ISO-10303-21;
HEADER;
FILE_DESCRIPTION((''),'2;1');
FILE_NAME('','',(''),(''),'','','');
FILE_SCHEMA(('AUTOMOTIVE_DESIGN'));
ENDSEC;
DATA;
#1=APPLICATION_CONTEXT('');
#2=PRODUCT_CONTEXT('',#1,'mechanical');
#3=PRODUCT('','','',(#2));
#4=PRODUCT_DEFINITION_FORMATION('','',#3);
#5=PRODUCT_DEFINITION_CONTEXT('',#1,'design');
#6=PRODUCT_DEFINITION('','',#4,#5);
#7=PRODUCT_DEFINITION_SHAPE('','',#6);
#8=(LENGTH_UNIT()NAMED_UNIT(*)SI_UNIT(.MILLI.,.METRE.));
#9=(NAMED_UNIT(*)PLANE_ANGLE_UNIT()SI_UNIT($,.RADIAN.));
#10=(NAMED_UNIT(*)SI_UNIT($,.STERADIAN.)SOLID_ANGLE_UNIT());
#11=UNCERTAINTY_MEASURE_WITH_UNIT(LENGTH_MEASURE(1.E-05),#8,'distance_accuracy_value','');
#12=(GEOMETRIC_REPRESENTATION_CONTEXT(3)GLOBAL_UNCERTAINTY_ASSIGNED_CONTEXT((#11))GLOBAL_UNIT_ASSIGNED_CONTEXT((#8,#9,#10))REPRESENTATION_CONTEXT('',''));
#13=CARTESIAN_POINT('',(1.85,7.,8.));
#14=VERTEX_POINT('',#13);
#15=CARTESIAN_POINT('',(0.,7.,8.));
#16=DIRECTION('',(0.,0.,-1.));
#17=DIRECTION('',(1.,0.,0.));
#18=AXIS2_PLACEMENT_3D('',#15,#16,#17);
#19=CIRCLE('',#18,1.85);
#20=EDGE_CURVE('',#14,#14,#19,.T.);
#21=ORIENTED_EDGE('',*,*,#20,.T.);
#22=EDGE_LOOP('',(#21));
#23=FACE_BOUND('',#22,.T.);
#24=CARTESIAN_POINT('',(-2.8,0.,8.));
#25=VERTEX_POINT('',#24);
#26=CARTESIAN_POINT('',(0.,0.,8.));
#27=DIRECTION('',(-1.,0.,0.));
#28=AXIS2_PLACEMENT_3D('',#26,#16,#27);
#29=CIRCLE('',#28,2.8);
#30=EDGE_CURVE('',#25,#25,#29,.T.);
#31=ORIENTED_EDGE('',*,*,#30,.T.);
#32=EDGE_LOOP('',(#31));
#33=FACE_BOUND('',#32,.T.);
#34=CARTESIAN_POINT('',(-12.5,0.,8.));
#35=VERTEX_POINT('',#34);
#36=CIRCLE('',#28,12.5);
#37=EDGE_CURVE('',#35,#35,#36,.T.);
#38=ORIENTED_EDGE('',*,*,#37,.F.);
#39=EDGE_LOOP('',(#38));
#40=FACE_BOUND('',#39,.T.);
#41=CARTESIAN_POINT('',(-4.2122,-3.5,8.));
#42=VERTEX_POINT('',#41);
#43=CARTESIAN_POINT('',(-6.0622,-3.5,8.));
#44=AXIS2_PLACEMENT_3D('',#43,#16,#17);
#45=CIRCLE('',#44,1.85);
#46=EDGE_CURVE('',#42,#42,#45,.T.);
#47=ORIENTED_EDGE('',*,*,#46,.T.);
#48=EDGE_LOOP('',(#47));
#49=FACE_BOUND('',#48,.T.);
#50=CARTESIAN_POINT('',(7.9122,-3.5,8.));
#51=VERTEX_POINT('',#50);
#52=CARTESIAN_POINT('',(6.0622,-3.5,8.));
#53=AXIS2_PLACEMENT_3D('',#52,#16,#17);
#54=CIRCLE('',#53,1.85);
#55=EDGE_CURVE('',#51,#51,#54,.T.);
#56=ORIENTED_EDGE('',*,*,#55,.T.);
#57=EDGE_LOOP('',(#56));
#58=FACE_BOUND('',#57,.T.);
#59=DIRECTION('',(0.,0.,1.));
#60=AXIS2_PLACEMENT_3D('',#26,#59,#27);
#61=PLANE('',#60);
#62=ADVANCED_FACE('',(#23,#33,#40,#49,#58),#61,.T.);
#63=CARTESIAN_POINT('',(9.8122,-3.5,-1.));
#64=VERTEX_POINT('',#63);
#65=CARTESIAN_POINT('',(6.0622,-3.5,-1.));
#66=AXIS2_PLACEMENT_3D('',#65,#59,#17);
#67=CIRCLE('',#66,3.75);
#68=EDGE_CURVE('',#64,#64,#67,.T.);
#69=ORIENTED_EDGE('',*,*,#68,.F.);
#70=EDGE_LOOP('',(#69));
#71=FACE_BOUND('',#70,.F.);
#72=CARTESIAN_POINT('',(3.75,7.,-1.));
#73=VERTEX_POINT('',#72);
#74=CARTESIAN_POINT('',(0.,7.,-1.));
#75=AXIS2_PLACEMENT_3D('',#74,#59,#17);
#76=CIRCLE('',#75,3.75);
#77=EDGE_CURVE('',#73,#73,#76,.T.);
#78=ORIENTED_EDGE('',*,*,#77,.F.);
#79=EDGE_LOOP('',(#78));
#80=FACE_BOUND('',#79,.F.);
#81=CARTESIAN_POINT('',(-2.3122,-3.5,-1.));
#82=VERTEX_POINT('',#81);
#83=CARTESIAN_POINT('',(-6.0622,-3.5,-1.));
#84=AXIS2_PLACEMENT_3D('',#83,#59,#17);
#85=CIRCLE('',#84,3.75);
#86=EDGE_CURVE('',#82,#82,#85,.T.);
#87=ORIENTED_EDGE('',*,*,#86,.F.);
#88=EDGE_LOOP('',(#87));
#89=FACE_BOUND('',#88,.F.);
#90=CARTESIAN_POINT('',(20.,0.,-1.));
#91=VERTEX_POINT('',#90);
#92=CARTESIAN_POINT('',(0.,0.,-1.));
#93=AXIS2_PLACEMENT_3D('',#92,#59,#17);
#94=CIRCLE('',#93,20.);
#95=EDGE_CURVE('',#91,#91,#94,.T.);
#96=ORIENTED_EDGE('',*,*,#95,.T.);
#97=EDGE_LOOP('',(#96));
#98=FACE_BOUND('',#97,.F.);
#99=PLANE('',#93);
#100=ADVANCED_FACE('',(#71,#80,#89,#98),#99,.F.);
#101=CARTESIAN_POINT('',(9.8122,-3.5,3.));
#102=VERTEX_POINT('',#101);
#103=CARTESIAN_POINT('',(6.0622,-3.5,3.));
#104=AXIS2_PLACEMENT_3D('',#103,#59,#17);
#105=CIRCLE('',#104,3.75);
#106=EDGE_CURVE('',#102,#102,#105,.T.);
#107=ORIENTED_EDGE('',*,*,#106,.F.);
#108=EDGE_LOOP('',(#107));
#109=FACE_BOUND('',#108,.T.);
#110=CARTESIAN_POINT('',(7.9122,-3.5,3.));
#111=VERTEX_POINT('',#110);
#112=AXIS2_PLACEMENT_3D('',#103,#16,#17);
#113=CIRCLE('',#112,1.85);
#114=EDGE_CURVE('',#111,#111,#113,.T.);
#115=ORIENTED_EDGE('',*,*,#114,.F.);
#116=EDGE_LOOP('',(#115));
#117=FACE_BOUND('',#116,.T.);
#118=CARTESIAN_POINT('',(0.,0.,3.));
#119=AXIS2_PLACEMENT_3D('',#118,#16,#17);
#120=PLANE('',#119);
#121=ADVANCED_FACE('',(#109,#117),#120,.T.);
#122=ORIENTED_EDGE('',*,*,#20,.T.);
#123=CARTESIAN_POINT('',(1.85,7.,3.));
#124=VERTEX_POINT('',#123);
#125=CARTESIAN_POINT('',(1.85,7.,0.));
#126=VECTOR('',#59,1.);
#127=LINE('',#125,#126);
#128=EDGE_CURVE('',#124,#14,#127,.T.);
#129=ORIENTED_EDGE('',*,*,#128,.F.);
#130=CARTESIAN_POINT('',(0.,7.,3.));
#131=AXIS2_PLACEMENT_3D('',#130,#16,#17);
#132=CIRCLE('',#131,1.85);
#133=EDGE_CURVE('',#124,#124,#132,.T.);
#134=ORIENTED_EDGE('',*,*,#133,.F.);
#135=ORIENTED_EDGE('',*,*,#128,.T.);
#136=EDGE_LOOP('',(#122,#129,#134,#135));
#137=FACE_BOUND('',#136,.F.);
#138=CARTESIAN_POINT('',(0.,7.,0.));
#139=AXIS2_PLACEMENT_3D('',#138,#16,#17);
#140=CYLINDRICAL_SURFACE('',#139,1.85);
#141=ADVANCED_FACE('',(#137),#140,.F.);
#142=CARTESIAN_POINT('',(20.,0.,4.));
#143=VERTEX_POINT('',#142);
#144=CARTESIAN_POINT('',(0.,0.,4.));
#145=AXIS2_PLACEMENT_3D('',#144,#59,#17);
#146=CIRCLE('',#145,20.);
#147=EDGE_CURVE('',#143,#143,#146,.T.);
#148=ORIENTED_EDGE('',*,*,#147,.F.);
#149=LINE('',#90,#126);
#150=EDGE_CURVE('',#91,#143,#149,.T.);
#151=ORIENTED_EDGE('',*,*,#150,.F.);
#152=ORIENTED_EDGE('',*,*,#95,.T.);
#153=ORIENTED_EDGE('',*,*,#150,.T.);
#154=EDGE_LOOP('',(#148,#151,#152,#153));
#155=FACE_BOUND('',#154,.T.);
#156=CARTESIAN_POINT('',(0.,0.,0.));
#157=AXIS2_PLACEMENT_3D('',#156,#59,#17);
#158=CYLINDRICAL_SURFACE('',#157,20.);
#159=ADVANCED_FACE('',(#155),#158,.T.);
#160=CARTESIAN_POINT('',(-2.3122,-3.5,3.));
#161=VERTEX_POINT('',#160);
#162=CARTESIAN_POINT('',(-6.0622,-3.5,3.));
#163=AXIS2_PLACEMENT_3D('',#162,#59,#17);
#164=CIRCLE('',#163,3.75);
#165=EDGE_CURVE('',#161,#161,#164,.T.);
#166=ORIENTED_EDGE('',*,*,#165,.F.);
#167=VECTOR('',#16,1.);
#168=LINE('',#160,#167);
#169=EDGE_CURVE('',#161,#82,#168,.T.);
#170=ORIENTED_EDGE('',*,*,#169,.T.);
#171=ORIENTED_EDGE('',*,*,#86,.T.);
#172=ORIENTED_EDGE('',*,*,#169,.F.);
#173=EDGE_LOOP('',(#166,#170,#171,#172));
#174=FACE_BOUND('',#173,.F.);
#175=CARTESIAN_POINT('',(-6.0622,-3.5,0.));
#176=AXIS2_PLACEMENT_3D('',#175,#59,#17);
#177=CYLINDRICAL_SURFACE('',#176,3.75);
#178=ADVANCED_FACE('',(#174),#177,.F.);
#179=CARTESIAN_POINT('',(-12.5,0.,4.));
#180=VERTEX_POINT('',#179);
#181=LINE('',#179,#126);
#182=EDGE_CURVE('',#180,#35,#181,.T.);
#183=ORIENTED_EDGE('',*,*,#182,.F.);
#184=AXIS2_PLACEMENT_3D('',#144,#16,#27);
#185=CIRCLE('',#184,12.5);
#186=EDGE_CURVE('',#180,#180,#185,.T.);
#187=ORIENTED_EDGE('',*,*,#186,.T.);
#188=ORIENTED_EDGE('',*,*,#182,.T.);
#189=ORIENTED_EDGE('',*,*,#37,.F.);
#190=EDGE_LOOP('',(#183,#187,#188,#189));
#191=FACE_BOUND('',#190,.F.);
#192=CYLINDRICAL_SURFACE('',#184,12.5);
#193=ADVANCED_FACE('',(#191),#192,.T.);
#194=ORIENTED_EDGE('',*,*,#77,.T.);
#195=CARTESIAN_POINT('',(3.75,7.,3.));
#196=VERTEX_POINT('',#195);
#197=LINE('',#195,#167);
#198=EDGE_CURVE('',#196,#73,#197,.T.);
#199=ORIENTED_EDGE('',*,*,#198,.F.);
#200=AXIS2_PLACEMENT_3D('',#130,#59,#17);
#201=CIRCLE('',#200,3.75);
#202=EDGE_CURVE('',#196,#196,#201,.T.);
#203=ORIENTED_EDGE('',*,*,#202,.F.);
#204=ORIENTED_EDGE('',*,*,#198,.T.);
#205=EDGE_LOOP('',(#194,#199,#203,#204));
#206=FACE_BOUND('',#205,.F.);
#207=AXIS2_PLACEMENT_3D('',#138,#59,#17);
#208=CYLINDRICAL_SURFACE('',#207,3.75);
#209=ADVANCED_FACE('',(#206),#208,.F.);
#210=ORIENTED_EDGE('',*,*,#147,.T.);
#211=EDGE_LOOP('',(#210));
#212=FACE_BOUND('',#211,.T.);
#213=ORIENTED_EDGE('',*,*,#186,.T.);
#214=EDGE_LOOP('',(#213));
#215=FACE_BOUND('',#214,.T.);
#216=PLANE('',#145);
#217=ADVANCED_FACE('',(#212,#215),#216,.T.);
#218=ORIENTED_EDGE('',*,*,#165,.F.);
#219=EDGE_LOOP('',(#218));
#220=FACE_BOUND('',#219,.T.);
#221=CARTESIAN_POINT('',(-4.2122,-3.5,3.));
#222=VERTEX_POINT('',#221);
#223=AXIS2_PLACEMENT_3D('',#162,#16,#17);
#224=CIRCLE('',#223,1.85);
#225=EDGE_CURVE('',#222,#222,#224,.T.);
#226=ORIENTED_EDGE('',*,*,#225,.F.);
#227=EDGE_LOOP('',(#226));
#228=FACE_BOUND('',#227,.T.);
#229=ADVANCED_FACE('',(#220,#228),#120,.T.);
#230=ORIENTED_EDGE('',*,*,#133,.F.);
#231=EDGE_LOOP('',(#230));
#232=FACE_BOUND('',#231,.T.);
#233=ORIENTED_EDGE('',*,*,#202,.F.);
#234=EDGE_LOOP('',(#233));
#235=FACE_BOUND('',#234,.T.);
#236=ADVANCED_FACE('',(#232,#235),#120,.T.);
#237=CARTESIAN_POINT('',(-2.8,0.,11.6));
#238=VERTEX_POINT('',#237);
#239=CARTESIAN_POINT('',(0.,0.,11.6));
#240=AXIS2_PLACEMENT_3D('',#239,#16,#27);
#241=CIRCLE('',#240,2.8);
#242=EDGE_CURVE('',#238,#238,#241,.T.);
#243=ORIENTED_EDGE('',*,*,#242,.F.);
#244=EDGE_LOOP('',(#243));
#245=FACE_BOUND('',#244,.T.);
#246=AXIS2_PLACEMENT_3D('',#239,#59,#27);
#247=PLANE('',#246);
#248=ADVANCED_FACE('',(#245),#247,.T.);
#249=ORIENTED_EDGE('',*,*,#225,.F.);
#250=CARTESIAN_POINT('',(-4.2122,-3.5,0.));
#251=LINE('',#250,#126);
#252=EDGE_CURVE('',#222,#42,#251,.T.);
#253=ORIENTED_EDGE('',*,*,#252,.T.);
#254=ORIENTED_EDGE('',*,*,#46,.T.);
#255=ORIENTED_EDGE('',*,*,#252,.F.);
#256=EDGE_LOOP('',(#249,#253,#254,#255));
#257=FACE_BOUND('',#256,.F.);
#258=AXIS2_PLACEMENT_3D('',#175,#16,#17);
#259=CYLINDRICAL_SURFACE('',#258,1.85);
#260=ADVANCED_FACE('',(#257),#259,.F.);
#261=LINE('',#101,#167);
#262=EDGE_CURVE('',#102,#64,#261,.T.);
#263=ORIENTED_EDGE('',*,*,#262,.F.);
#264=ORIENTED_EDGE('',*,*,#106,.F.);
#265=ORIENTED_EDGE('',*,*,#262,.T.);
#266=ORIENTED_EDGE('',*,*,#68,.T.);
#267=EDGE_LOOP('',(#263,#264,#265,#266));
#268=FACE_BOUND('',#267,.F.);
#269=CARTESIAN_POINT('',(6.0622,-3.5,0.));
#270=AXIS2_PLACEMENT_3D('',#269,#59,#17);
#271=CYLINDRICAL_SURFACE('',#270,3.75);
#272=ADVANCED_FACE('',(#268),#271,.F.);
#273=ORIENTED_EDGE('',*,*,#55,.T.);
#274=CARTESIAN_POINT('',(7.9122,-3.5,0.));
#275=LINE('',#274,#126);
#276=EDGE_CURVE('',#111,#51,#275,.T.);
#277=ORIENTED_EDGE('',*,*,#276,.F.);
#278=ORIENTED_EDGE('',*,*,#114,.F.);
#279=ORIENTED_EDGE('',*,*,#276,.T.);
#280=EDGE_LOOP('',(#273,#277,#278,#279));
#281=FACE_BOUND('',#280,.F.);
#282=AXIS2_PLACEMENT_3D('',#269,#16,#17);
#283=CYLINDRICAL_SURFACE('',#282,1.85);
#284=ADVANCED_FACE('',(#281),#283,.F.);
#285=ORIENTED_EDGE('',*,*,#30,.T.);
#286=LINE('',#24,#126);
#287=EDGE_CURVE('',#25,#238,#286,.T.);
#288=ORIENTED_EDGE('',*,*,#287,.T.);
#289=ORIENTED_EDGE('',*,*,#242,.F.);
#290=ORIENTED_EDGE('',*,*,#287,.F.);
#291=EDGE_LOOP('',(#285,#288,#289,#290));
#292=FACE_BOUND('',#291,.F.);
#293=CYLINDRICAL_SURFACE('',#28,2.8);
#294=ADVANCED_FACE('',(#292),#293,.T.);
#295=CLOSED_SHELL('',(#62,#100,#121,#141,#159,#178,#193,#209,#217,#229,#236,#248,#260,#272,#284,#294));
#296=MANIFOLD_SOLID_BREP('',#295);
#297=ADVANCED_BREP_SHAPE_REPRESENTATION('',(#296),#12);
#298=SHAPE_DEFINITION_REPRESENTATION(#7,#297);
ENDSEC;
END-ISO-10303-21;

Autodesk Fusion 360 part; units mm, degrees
sketch "Boceto9" plane through (0, 0, 0) normal (0, 0, 1) x (1, 0, 0)
  circle A0 centre (0, 0) radius 15
  dimension "d28" = 30
extrude "Extruir9" add sketch "Boceto9" along normal blind 4
sketch "Boceto10" plane through (0, 0, 4) normal (0, 0, 1) x (-1, 0, 0)
  circle A0 centre (0, 0) radius 15
  circle A1 centre (0, 0) radius 12.5
  dimension "d31" = 25
extrude "Extruir10" add sketch "Boceto10" along normal blind 4 contours A1
sketch "Boceto11" plane through (0, 0, 0) normal (0, 0, -1) x (1, 0, 0)
  circle A0 centre (0, 0) radius 15
  circle A1 centre (0, 0) radius 12.5
  circle A2 centre (0, 0) radius 7
  line L0 (0, 0) -> (-6.0622, 3.5)
  line L1 (0, 0) -> (7, 0) construction
  line L2 (0, 0) -> (6.0622, 3.5)
  line L3 (0, 0) -> (7, 0) construction
  line L4 (0, 0) -> (0, -7)
  circle A3 centre (6.0622, 3.5) radius 3.75
  circle A4 centre (-6.0622, 3.5) radius 3.75
  circle A5 centre (0, -7) radius 3.75
  circle A6 centre (6.0622, 3.5) radius 2
  circle A7 centre (-6.0622, 3.5) radius 2
  circle A8 centre (0, -7) radius 2
  dimension "d34" = 25
  dimension "d35" = 14
  dimension "d36" = 150
  dimension "d37" = 30
  dimension "d38" = 7
  dimension "d39" = 7.5
  dimension "d40" = 7.5
  dimension "d41" = 7.5
  dimension "d42" = 4
  dimension "d43" = 4
  dimension "d44" = 4
extrude "Extruir11" cut sketch "Boceto11" against normal blind 3 contours A2 L2 A3 A6 | A2 A3 A6 | A2 L2 A6 | A2 A6 | A2 L2 A6 | A2 L2 A3 A6 | A2 A5 A8 | A2 L4 A5 A8 | A2 A8 | A2 L4 A8 | A2 L4 A5 A8 | A2 L4 A8 | A2 L0 A4 A7 | A2 L0 A4 A7 | A2 A4 A7 | A2 L0 A7 | A2 L0 A7 | A2 A7
extrude "Extruir12" add 1 faces at (-0.3737, -9.0198, 0) along direction (0, 0, -1) blind 1
extrude "Extruir13" cut sketch "Boceto11" against normal blind 20 contours A2 L2 A6 | A2 A6 | A2 L2 A6 | A2 A8 | A2 L4 A8 | A2 L4 A8 | A2 L0 A7 | A2 L0 A7 | A2 A7
sketch "Boceto12" plane through (0, 0, 8) normal (0, 0, 1) x (-1, 0, 0)
  circle A0 centre (-6.0622, 3.5) radius 2
  circle A1 centre (6.0622, 3.5) radius 2
  circle A2 centre (0, -7) radius 2
  circle A3 centre (0, 0) radius 12.5
  circle A4 centre (0, 0) radius 2.8
  dimension "d51" = 5.6
extrude "Extruir14" add sketch "Boceto12" along normal blind 3.6 contours A4
move_face "CarasDesfase2" offset 0.15 3 faces at (-4.0721, -3.3009, 4.6667) (8.0522, -3.3009, 4.6667) (1.9901, 7.1991, 4.6667)
move_face "CarasDesfase3" offset 3 1 faces at (14.9814, -0.7477, 0.6667)
move_face "CarasDesfase4" offset 2 1 faces at (17.9776, -0.8972, 0.6667)
